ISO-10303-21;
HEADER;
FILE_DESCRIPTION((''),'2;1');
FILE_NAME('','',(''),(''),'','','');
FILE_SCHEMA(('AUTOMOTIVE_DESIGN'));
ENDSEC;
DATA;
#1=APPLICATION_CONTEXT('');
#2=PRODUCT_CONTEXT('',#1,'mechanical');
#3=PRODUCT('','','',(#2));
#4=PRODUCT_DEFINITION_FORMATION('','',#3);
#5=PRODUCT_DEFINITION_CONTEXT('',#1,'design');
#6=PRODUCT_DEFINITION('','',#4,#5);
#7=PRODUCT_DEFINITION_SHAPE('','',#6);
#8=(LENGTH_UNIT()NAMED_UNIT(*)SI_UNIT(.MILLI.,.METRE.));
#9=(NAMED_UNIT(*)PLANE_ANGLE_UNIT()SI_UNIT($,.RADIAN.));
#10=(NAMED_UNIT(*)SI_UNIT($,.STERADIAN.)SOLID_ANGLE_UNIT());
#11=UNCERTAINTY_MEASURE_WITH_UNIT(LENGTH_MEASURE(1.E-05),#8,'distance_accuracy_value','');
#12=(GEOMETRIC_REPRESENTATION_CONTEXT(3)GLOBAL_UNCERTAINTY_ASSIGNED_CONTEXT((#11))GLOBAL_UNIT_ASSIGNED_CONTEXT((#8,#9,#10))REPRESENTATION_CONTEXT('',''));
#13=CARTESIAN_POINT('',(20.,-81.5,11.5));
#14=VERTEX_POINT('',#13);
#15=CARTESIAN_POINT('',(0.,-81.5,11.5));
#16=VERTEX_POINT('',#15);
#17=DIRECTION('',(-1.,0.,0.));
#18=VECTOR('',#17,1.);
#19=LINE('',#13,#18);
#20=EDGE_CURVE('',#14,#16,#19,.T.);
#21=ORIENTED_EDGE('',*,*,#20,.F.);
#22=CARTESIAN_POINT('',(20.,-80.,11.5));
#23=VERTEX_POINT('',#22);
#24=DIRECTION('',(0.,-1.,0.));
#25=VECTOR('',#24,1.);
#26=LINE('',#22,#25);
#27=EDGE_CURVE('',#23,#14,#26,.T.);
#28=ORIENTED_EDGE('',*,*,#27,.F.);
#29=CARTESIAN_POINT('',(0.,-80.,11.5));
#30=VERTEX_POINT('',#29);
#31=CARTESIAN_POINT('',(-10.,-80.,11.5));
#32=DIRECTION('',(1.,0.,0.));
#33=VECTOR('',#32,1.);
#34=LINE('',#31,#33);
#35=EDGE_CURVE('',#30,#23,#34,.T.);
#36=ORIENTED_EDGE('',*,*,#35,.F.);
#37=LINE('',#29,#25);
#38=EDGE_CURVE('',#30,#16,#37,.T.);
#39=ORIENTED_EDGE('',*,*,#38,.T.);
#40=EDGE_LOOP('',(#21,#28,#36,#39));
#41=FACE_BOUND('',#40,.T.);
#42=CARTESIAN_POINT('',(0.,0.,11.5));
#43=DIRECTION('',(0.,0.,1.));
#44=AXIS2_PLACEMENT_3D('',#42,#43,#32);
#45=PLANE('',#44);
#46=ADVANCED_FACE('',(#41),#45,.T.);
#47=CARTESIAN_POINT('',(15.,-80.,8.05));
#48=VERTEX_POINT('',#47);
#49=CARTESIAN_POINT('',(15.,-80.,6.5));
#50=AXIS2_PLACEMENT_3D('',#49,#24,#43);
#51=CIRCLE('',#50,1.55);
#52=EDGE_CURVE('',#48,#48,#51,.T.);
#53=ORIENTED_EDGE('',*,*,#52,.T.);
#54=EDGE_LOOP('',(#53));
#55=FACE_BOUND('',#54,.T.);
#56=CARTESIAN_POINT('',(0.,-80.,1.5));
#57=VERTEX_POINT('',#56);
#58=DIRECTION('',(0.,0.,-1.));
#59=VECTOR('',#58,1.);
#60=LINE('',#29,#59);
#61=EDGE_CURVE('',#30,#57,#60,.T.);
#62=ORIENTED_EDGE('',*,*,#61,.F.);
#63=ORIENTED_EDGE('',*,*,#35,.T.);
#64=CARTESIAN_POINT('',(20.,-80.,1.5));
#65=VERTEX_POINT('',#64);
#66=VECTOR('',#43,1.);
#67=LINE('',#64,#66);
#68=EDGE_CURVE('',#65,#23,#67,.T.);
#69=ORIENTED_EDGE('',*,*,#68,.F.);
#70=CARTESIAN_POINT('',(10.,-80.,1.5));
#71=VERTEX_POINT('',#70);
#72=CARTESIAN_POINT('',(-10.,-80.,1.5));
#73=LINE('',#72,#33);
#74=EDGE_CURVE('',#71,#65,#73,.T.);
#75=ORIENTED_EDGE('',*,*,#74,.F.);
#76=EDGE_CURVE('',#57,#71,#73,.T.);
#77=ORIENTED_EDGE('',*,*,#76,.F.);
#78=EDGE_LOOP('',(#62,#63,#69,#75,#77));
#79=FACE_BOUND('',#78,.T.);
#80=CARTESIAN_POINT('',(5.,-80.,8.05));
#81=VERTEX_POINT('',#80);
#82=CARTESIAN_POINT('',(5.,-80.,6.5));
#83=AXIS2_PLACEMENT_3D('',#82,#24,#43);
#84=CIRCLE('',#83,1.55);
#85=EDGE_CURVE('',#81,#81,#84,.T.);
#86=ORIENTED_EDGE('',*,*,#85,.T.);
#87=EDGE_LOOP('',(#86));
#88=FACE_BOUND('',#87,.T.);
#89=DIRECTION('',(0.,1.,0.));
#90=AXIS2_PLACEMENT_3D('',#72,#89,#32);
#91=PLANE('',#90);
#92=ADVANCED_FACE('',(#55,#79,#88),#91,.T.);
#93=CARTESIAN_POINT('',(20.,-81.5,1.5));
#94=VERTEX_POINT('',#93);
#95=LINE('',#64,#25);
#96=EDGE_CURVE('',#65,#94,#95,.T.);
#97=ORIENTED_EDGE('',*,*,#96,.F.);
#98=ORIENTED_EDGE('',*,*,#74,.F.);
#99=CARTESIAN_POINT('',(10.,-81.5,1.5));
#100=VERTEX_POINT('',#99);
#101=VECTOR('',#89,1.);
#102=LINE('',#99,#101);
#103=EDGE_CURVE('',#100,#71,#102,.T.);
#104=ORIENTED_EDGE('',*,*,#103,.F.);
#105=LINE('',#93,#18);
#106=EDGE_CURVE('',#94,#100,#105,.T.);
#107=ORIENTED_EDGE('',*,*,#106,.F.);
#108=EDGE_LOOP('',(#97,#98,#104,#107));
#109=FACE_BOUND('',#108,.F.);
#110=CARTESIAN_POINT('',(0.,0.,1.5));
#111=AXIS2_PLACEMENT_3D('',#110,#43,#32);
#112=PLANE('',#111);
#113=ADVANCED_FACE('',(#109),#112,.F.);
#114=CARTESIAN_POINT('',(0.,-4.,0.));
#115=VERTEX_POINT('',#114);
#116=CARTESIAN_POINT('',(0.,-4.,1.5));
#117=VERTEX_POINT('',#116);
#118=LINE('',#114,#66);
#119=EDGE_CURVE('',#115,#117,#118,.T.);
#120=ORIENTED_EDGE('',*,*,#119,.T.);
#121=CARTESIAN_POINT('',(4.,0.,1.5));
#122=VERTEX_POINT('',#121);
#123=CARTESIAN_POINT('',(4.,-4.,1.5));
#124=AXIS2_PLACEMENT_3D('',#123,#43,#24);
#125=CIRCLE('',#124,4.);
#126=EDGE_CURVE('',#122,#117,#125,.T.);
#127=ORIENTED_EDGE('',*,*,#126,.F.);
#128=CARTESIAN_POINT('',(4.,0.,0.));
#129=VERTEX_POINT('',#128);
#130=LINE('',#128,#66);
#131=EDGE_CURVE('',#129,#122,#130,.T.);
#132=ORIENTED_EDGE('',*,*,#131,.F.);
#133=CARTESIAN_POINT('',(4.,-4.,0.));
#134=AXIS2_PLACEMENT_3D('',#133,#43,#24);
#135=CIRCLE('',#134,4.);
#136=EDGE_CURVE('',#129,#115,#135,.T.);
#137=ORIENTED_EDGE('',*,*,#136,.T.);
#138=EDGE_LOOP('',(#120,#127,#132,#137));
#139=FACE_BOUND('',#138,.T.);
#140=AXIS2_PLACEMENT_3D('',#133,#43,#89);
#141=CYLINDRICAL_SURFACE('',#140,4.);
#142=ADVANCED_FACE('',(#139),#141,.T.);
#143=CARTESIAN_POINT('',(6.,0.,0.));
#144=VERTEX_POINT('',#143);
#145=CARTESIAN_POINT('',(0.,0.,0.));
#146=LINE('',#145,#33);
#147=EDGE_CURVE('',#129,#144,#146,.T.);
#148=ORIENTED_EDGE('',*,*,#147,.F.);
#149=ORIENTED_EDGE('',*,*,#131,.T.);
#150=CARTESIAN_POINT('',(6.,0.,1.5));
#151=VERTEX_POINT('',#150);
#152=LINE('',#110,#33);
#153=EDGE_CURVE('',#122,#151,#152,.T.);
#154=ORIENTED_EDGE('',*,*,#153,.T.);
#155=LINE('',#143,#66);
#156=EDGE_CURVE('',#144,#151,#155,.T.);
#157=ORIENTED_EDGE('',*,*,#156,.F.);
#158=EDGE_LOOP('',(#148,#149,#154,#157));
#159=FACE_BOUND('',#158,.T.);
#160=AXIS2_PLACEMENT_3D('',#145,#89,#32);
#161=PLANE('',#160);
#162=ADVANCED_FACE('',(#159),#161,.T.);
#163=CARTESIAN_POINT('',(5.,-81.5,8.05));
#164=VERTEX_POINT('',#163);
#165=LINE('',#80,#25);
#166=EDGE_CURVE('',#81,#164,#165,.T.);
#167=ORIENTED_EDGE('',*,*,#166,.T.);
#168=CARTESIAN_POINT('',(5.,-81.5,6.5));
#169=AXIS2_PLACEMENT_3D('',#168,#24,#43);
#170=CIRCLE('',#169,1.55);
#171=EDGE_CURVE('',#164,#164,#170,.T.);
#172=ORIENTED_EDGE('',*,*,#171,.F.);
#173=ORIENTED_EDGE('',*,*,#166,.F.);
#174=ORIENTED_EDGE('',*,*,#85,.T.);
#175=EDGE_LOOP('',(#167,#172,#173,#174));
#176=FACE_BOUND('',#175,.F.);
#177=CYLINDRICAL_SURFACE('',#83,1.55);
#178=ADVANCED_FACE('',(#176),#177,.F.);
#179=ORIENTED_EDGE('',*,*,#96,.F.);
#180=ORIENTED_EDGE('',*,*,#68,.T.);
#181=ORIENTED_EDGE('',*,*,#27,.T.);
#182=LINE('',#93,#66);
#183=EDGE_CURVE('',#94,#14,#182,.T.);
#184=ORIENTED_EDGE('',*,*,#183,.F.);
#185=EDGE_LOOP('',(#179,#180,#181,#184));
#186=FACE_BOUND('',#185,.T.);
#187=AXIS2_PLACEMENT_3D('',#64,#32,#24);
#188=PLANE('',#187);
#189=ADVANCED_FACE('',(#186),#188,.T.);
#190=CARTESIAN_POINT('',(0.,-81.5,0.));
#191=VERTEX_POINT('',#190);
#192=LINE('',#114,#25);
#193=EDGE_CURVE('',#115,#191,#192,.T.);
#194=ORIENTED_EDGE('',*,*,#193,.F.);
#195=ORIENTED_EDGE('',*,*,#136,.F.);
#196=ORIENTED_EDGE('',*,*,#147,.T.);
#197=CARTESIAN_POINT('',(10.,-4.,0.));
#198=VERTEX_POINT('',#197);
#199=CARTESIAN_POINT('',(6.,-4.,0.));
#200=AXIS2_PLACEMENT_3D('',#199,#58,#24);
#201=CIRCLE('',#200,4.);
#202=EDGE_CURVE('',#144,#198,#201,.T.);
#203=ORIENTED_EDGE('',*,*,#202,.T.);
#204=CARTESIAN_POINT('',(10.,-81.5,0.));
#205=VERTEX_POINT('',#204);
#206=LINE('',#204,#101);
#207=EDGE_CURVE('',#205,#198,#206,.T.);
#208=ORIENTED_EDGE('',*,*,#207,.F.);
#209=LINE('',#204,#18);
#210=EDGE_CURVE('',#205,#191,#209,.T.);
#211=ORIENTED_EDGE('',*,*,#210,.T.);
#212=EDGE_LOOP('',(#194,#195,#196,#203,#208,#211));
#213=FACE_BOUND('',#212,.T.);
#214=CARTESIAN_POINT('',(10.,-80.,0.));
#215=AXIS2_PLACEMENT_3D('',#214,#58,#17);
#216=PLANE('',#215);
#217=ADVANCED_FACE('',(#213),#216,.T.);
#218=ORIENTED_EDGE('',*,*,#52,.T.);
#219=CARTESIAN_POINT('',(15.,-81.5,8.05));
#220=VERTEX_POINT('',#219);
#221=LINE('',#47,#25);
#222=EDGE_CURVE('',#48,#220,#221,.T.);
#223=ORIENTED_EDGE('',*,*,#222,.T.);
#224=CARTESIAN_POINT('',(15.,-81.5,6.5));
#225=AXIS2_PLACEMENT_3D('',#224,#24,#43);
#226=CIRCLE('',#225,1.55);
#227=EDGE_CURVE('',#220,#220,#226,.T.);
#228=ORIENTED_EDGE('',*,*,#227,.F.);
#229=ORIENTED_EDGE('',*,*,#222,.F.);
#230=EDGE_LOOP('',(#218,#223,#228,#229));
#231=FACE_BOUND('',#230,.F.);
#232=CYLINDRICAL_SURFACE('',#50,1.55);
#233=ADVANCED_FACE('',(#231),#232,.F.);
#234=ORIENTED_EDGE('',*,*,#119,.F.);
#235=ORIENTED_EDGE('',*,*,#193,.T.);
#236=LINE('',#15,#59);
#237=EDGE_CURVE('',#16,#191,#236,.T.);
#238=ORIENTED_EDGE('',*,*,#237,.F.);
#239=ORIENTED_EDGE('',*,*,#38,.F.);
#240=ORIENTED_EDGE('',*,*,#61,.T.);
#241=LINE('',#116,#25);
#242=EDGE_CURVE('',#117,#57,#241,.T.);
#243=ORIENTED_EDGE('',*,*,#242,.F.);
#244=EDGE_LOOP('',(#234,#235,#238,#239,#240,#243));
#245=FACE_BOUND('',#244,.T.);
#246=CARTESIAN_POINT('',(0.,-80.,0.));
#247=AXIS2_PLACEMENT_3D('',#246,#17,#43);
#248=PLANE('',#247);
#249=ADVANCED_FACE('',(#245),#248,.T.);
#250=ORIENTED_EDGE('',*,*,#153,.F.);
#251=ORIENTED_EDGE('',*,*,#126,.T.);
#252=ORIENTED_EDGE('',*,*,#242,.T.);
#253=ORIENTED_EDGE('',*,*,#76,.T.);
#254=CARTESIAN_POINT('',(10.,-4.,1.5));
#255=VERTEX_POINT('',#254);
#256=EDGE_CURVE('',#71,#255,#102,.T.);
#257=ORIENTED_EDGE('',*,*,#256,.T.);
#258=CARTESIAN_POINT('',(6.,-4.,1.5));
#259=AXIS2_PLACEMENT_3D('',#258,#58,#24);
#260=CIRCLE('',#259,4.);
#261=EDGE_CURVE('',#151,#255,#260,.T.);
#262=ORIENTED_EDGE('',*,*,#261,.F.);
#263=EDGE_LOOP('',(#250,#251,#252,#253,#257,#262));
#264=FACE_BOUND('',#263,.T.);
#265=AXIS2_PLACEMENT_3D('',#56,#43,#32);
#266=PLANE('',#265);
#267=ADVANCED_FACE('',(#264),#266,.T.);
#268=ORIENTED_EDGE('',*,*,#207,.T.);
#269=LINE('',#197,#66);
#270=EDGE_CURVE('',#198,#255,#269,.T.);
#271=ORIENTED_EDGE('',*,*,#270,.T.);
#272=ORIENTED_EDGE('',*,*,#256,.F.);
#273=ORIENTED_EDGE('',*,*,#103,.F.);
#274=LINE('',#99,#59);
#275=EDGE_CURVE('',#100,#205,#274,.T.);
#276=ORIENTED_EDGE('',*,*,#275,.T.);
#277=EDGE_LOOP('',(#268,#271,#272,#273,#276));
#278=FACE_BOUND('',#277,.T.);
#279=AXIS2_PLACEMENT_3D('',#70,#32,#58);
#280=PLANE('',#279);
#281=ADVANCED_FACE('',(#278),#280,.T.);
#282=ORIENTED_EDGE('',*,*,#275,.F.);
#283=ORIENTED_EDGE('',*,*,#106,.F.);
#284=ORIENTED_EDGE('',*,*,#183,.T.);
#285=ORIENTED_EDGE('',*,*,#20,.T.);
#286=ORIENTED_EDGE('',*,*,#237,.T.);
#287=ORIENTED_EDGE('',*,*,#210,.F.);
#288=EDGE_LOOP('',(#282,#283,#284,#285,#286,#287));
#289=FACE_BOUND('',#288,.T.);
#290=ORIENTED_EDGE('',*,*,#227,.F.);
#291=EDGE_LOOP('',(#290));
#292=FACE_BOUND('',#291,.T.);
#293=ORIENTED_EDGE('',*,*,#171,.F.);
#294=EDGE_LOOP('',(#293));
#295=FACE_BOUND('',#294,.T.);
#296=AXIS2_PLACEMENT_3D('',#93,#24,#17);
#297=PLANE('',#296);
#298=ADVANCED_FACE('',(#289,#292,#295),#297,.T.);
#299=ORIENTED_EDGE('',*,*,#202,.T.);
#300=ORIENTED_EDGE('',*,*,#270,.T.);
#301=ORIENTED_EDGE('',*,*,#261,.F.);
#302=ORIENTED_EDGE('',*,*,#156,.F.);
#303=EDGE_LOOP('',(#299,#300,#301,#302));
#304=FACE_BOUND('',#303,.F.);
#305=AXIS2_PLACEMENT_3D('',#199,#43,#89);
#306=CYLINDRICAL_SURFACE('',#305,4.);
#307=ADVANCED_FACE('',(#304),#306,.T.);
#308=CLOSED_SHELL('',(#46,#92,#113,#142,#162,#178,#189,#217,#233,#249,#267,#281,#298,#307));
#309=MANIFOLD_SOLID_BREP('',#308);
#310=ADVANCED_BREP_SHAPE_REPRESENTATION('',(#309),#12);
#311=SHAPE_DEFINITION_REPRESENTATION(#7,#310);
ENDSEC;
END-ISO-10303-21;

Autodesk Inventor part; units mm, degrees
ref_plane "YZ Plane" through (0, 0, 0) normal (1, 0, 0) x (0, 1, 0)
ref_plane "XZ Plane" through (0, 0, 0) normal (0, 1, 0) x (-1, 0, 0)
ref_plane "XY Plane" through (0, 0, 0) normal (0, 0, 1) x (1, 0, 0)
sketch "スケッチ1" plane through (0, 0, 0) normal (0, 0, 1) x (1, 0, 0)
  line L0 (0, 0) -> (10, 0)
  line L1 (10, 0) -> (10, -80)
  line L2 (10, -80) -> (0, -80)
  line L3 (0, -80) -> (0, 0)
  dimension "d0" = 10
  dimension "d1" = 80
extrude "押し出し1" add sketch "スケッチ1" along normal blind 1.5
fillet "フィレット1" radius 4 2 edges at (10, 0, 0.75) (0, 0, 0.75)
sketch "スケッチ2" plane through (0, -80, 0) normal (0, -1, 0) x (1, 0, 0)
  line L0 (0, 1.5) -> (10, 1.5)
  line L1 (10, 1.5) -> (10, 0)
  line L2 (10, 0) -> (0, 0)
  line L3 (0, 0) -> (0, 1.5)
extrude "押し出し2" add sketch "スケッチ2" along normal blind 1.5
sketch "スケッチ4" plane through (0, 0, 1.5) normal (0, 0, 1) x (1, 0, 0)
  line L0 (20, -81.5) -> (-10, -81.5)
  line L1 (-10, -81.5) -> (-10, -80)
  line L2 (-10, -80) -> (20, -80)
  line L3 (20, -80) -> (20, -81.5)
  point P0 (0, 0)
  dimension "d10" = 30
  dimension "d11" = 1.5
extrude "押し出し4" add sketch "スケッチ4" along normal blind 10
sketch "スケッチ6" plane through (-10, -80, 1.5) normal (0, 1, 0) x (1, 0, 0)
  line L0 (0, -10) -> (10, -10)
  line L1 (10, -10) -> (10, 0)
  line L2 (10, 0) -> (0, 0)
  line L3 (0, 0) -> (0, -10)
  point P0 (10, 1.5)
extrude "押し出し6" cut sketch "スケッチ6" against normal blind 10
sketch "スケッチ8" plane through (10, -80, 1.5) normal (0, 1, 0) x (1, 0, 0)
  line L0 (10, 0) -> (10, -10) projected
  line L1 (10, -10) -> (-10, -10) projected
  point P0 (-10, 1.5)
  point P1 (-5, -5)
  point P2 (5, -5)
  dimension "d25" = 5
  dimension "d26" = 5
  dimension "d27" = 10
hole "穴1" at (5, -80, 6.5) at (15, -80, 6.5) direction (0, -1, 0) diameter 3.1 depth 8 tip angle 118
properties part number "Fork 1 left ver2" material "アルミニウム 5052 H32"
